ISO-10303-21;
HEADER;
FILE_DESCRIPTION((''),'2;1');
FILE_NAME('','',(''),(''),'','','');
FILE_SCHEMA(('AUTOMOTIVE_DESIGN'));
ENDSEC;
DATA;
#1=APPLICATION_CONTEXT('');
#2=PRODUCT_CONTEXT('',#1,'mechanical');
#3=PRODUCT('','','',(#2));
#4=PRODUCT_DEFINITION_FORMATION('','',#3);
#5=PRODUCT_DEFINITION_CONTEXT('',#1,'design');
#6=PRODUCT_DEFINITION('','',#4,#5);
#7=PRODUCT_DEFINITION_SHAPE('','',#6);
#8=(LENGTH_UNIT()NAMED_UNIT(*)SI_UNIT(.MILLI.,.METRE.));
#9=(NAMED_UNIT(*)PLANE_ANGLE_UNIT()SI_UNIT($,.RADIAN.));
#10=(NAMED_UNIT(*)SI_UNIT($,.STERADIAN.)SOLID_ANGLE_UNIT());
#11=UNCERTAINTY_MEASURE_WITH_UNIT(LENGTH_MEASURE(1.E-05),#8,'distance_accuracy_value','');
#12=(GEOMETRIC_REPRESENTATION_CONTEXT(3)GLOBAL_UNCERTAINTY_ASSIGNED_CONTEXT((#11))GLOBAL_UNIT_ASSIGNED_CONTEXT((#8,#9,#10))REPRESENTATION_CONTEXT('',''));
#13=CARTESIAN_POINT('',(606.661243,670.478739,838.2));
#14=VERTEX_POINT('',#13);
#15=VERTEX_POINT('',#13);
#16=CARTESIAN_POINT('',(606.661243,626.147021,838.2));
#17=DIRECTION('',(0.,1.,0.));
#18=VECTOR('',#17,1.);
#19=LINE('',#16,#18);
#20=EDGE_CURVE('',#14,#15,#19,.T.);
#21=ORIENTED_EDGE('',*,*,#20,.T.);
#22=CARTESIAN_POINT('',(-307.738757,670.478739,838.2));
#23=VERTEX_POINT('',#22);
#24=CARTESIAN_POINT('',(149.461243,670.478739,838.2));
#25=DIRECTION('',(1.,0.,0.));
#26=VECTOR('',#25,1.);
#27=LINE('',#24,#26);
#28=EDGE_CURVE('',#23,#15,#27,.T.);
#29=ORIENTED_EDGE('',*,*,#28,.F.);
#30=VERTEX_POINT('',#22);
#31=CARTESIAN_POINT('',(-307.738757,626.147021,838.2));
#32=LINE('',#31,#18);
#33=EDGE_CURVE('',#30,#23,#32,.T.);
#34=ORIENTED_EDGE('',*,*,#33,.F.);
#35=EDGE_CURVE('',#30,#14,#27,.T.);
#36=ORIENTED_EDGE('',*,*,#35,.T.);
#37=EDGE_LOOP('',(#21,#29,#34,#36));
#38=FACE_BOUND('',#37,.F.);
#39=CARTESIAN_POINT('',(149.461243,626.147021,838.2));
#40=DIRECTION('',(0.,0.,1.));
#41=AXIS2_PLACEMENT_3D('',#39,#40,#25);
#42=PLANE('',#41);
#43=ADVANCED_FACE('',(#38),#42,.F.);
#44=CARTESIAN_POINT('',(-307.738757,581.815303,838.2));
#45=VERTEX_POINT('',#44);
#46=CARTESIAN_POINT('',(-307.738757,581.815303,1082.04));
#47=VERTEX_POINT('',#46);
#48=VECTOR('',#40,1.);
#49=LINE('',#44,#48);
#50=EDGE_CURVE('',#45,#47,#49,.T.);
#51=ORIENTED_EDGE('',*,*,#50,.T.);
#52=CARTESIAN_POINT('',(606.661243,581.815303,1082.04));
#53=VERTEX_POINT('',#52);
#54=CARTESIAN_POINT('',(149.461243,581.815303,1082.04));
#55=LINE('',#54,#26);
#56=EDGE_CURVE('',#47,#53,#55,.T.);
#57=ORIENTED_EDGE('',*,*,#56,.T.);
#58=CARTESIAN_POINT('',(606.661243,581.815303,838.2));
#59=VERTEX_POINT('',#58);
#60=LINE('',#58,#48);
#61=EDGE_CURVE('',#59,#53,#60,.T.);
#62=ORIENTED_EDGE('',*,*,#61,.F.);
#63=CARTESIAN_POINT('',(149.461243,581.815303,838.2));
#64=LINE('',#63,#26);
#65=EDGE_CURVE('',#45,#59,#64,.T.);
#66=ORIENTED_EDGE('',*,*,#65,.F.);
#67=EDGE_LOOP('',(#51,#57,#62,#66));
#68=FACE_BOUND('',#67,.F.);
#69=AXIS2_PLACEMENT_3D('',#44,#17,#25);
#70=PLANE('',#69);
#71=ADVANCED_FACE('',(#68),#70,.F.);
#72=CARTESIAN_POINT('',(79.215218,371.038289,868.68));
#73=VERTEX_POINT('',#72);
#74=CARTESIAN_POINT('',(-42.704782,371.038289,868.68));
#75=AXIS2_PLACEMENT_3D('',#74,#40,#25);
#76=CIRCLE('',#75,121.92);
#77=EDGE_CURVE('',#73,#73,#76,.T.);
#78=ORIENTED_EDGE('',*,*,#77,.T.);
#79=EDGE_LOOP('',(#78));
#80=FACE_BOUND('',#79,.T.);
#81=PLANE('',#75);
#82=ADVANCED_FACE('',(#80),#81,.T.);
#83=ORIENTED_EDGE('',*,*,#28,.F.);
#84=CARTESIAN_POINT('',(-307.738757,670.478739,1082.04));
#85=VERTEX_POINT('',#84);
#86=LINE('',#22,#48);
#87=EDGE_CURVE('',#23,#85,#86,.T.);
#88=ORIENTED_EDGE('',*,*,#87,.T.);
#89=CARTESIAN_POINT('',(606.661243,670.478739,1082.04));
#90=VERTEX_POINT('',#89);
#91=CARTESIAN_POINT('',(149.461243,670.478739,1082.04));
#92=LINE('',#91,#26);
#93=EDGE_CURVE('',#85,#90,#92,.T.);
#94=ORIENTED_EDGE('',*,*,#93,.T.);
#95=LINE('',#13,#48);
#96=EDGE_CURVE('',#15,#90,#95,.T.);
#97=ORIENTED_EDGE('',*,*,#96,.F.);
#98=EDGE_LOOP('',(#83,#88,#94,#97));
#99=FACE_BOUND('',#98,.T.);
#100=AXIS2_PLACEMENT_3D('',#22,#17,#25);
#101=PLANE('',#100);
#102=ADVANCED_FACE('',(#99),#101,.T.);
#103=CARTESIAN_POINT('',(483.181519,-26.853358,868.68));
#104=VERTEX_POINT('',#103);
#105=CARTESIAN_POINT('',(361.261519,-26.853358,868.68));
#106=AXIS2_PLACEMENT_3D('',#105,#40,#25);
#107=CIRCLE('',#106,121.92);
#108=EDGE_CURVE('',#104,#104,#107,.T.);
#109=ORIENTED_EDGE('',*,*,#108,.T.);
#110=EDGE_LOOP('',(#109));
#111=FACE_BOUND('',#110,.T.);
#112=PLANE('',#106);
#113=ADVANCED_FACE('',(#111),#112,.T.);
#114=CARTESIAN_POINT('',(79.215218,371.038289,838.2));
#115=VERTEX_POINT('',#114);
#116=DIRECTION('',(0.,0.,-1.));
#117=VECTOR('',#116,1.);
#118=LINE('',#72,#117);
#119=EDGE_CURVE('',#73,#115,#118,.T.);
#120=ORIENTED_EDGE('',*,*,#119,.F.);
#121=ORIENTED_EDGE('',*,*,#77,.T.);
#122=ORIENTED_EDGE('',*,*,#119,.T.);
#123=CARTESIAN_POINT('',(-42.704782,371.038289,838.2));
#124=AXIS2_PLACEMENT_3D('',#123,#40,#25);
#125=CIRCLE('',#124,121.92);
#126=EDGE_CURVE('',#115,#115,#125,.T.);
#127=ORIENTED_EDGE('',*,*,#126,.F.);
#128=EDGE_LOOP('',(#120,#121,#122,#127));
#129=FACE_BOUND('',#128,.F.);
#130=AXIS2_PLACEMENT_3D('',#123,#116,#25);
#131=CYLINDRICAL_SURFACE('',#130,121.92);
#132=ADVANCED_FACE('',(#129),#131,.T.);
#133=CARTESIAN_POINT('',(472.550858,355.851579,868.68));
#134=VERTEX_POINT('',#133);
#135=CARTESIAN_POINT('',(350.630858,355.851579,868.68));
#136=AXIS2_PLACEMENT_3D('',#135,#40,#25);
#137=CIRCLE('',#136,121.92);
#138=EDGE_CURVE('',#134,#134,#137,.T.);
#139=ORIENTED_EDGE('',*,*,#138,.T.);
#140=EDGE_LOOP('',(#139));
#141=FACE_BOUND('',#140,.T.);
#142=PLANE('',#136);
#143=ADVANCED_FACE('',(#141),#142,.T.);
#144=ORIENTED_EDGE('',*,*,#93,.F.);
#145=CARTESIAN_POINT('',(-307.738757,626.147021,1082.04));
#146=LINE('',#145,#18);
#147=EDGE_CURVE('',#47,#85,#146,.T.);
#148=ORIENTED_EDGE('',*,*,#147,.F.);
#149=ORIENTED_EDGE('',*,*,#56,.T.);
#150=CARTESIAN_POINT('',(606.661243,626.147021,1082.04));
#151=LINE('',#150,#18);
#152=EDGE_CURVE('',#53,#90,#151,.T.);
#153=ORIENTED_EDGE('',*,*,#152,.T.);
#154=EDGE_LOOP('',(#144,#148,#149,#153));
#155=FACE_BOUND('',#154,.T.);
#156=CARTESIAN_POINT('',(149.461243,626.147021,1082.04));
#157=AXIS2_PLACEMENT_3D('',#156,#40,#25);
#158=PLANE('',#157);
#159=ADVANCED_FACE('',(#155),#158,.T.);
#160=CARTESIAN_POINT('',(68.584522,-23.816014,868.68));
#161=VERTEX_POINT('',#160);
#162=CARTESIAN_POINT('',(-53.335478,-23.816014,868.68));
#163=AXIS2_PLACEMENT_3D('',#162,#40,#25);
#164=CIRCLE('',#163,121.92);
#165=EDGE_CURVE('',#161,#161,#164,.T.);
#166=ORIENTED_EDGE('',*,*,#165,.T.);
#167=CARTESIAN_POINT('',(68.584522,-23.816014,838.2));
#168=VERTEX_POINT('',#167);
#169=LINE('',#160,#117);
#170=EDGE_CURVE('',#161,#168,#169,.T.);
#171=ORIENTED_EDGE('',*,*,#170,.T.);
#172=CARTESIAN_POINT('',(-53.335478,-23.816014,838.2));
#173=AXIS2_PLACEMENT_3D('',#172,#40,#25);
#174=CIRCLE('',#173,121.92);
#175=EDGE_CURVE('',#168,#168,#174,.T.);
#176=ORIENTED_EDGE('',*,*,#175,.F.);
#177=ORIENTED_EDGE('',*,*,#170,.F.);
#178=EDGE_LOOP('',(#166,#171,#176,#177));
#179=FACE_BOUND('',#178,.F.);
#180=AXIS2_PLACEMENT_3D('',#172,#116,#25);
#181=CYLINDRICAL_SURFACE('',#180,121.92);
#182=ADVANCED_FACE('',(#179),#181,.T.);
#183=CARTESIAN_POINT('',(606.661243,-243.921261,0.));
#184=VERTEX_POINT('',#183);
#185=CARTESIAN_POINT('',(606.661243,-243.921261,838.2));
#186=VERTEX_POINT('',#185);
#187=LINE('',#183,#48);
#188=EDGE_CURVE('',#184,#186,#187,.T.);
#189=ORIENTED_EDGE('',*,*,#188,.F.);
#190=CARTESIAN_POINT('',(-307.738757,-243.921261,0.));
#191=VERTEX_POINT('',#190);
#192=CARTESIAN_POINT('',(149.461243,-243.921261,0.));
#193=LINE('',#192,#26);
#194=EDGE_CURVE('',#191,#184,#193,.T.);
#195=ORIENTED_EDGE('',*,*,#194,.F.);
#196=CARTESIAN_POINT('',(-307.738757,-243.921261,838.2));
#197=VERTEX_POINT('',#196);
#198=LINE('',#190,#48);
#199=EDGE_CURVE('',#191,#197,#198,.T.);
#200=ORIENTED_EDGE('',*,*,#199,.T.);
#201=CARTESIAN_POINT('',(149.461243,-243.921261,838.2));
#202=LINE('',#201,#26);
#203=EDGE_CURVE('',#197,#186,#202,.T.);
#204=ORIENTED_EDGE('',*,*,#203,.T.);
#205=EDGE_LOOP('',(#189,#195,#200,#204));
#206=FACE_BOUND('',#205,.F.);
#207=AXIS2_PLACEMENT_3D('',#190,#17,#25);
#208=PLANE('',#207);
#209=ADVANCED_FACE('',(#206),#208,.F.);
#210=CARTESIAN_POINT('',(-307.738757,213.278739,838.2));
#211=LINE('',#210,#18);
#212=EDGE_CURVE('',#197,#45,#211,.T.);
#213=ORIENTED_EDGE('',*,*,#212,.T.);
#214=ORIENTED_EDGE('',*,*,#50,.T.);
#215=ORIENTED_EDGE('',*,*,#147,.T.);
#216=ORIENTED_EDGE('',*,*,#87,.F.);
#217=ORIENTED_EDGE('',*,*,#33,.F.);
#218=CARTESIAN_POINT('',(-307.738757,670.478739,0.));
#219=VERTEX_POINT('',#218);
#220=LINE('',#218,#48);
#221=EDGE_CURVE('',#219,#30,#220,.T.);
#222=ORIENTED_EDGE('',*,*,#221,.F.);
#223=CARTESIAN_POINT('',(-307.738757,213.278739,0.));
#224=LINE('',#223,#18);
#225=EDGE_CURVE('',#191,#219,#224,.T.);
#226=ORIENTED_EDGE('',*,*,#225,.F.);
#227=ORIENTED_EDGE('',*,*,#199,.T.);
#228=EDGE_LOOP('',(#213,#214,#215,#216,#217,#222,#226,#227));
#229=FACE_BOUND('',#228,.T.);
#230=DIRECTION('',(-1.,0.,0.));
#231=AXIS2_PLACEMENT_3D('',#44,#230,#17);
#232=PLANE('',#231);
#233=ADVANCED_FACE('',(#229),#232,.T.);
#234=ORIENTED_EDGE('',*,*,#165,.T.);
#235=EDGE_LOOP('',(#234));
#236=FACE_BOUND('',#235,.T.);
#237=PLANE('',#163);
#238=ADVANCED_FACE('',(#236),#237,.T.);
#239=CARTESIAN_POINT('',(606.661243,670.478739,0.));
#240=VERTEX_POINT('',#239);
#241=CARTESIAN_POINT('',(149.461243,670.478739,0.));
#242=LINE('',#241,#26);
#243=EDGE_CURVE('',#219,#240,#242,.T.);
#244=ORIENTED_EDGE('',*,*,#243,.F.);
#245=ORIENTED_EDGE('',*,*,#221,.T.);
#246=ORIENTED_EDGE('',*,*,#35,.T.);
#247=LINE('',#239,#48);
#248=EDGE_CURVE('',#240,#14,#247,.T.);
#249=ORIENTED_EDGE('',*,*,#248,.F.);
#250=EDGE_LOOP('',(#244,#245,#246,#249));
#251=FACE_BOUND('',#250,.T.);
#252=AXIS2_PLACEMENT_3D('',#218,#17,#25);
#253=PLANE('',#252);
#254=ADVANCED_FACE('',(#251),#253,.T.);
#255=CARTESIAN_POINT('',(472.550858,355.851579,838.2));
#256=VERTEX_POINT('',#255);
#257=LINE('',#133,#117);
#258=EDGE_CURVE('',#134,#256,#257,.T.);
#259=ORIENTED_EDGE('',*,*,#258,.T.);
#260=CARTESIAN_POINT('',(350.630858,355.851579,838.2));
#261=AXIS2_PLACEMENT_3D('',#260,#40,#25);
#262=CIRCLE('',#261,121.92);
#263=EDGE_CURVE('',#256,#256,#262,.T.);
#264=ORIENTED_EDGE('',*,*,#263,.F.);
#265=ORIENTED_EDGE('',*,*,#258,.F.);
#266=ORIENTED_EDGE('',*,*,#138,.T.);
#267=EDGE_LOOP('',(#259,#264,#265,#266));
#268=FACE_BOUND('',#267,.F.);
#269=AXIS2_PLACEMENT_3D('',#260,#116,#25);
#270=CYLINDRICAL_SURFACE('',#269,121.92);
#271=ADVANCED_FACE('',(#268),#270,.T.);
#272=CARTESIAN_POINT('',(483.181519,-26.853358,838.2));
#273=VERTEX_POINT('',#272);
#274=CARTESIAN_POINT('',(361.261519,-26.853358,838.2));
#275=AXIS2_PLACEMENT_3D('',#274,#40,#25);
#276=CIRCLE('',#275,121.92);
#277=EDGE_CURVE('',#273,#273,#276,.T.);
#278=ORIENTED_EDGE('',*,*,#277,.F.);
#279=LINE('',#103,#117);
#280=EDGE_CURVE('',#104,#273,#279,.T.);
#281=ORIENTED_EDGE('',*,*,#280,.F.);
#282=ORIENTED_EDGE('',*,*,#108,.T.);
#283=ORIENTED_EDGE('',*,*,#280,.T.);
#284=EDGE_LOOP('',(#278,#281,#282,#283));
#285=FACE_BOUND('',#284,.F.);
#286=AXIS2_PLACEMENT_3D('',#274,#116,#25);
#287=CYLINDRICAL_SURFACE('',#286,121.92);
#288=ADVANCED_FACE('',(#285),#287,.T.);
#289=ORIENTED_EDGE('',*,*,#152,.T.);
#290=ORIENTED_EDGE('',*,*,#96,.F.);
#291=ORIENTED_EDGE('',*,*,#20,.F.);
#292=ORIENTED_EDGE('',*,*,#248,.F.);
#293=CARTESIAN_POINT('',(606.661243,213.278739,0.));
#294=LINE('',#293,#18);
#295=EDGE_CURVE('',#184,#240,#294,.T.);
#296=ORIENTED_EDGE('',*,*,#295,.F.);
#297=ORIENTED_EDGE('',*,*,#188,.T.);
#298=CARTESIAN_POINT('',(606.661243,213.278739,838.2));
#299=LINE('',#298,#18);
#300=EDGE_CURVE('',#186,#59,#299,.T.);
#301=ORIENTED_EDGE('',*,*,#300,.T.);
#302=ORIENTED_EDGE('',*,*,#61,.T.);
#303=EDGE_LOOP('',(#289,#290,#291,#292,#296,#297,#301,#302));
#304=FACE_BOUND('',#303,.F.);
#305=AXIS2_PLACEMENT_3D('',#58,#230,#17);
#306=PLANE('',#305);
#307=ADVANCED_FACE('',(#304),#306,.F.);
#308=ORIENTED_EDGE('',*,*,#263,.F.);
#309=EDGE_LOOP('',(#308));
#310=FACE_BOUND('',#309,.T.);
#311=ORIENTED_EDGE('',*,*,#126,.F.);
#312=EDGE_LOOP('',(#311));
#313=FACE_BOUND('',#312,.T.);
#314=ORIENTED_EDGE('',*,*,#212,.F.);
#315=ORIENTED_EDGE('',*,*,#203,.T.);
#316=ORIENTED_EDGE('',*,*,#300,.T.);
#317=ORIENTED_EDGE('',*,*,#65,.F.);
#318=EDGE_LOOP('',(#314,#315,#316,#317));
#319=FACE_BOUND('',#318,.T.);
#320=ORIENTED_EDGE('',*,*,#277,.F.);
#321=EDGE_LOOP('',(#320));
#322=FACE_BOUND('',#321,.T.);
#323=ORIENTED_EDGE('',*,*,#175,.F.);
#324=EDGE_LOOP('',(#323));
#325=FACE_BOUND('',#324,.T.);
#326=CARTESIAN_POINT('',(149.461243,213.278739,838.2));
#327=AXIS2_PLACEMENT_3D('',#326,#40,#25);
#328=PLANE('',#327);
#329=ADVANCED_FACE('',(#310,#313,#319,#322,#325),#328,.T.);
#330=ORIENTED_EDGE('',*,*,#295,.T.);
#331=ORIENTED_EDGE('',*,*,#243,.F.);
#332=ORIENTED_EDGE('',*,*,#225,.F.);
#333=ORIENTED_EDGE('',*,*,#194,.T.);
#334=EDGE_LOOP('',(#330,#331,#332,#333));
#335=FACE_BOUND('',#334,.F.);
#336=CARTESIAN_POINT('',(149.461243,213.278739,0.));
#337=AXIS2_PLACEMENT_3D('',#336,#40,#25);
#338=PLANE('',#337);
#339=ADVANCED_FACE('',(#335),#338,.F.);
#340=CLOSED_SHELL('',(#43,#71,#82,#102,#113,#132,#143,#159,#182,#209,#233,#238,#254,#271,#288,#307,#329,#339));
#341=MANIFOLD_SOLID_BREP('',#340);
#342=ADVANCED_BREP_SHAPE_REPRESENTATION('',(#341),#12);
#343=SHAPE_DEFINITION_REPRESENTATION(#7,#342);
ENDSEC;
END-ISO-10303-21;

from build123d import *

# Parameters (mm, degrees)
F0_W     = 914.4
F0_H     = 914.4
F1_DEPTH = 838.2
F2_R     = 121.92
F3_DEPTH = 6.096
F4_DEPTH = 30.48
F5_W     = 914.4
F5_H     = 88.663437
F6_DEPTH = 243.84


with BuildPart() as f1:
    # F0 (on Top) → F1 (new body)
    with BuildSketch(Plane.XY):
        with Locations((149.461243, 213.278739)):
            Rectangle(F0_W, F0_H)
    extrude(amount=F1_DEPTH)

    # F2 (on face) → F3 (join)
    with BuildSketch(Plane.XY.offset(838.2)):
        with Locations((350.630858, 355.851579)):
            Circle(F2_R)
        with Locations((-42.704782, 371.038289)):
            Circle(F2_R)
        with Locations((361.261519, -26.853358)):
            Circle(F2_R)
        with Locations((-53.335478, -23.816014)):
            Circle(F2_R)
    extrude(amount=F3_DEPTH)

    # F2 (on face) → F4 (join)
    with BuildSketch(Plane.XY.offset(838.2)):
        with Locations((350.630858, 355.851579)):
            Circle(F2_R)
        with Locations((-42.704782, 371.038289)):
            Circle(F2_R)
        with Locations((361.261519, -26.853358)):
            Circle(F2_R)
        with Locations((-53.335478, -23.816014)):
            Circle(F2_R)
    extrude(amount=F4_DEPTH)

    # F5 (on face) → F6 (join)
    with BuildSketch(Plane.XY.offset(838.2)):
        with Locations((149.461243, 626.147021)):
            Rectangle(F5_W, F5_H)
    extrude(amount=F6_DEPTH)


solid = f1.part
